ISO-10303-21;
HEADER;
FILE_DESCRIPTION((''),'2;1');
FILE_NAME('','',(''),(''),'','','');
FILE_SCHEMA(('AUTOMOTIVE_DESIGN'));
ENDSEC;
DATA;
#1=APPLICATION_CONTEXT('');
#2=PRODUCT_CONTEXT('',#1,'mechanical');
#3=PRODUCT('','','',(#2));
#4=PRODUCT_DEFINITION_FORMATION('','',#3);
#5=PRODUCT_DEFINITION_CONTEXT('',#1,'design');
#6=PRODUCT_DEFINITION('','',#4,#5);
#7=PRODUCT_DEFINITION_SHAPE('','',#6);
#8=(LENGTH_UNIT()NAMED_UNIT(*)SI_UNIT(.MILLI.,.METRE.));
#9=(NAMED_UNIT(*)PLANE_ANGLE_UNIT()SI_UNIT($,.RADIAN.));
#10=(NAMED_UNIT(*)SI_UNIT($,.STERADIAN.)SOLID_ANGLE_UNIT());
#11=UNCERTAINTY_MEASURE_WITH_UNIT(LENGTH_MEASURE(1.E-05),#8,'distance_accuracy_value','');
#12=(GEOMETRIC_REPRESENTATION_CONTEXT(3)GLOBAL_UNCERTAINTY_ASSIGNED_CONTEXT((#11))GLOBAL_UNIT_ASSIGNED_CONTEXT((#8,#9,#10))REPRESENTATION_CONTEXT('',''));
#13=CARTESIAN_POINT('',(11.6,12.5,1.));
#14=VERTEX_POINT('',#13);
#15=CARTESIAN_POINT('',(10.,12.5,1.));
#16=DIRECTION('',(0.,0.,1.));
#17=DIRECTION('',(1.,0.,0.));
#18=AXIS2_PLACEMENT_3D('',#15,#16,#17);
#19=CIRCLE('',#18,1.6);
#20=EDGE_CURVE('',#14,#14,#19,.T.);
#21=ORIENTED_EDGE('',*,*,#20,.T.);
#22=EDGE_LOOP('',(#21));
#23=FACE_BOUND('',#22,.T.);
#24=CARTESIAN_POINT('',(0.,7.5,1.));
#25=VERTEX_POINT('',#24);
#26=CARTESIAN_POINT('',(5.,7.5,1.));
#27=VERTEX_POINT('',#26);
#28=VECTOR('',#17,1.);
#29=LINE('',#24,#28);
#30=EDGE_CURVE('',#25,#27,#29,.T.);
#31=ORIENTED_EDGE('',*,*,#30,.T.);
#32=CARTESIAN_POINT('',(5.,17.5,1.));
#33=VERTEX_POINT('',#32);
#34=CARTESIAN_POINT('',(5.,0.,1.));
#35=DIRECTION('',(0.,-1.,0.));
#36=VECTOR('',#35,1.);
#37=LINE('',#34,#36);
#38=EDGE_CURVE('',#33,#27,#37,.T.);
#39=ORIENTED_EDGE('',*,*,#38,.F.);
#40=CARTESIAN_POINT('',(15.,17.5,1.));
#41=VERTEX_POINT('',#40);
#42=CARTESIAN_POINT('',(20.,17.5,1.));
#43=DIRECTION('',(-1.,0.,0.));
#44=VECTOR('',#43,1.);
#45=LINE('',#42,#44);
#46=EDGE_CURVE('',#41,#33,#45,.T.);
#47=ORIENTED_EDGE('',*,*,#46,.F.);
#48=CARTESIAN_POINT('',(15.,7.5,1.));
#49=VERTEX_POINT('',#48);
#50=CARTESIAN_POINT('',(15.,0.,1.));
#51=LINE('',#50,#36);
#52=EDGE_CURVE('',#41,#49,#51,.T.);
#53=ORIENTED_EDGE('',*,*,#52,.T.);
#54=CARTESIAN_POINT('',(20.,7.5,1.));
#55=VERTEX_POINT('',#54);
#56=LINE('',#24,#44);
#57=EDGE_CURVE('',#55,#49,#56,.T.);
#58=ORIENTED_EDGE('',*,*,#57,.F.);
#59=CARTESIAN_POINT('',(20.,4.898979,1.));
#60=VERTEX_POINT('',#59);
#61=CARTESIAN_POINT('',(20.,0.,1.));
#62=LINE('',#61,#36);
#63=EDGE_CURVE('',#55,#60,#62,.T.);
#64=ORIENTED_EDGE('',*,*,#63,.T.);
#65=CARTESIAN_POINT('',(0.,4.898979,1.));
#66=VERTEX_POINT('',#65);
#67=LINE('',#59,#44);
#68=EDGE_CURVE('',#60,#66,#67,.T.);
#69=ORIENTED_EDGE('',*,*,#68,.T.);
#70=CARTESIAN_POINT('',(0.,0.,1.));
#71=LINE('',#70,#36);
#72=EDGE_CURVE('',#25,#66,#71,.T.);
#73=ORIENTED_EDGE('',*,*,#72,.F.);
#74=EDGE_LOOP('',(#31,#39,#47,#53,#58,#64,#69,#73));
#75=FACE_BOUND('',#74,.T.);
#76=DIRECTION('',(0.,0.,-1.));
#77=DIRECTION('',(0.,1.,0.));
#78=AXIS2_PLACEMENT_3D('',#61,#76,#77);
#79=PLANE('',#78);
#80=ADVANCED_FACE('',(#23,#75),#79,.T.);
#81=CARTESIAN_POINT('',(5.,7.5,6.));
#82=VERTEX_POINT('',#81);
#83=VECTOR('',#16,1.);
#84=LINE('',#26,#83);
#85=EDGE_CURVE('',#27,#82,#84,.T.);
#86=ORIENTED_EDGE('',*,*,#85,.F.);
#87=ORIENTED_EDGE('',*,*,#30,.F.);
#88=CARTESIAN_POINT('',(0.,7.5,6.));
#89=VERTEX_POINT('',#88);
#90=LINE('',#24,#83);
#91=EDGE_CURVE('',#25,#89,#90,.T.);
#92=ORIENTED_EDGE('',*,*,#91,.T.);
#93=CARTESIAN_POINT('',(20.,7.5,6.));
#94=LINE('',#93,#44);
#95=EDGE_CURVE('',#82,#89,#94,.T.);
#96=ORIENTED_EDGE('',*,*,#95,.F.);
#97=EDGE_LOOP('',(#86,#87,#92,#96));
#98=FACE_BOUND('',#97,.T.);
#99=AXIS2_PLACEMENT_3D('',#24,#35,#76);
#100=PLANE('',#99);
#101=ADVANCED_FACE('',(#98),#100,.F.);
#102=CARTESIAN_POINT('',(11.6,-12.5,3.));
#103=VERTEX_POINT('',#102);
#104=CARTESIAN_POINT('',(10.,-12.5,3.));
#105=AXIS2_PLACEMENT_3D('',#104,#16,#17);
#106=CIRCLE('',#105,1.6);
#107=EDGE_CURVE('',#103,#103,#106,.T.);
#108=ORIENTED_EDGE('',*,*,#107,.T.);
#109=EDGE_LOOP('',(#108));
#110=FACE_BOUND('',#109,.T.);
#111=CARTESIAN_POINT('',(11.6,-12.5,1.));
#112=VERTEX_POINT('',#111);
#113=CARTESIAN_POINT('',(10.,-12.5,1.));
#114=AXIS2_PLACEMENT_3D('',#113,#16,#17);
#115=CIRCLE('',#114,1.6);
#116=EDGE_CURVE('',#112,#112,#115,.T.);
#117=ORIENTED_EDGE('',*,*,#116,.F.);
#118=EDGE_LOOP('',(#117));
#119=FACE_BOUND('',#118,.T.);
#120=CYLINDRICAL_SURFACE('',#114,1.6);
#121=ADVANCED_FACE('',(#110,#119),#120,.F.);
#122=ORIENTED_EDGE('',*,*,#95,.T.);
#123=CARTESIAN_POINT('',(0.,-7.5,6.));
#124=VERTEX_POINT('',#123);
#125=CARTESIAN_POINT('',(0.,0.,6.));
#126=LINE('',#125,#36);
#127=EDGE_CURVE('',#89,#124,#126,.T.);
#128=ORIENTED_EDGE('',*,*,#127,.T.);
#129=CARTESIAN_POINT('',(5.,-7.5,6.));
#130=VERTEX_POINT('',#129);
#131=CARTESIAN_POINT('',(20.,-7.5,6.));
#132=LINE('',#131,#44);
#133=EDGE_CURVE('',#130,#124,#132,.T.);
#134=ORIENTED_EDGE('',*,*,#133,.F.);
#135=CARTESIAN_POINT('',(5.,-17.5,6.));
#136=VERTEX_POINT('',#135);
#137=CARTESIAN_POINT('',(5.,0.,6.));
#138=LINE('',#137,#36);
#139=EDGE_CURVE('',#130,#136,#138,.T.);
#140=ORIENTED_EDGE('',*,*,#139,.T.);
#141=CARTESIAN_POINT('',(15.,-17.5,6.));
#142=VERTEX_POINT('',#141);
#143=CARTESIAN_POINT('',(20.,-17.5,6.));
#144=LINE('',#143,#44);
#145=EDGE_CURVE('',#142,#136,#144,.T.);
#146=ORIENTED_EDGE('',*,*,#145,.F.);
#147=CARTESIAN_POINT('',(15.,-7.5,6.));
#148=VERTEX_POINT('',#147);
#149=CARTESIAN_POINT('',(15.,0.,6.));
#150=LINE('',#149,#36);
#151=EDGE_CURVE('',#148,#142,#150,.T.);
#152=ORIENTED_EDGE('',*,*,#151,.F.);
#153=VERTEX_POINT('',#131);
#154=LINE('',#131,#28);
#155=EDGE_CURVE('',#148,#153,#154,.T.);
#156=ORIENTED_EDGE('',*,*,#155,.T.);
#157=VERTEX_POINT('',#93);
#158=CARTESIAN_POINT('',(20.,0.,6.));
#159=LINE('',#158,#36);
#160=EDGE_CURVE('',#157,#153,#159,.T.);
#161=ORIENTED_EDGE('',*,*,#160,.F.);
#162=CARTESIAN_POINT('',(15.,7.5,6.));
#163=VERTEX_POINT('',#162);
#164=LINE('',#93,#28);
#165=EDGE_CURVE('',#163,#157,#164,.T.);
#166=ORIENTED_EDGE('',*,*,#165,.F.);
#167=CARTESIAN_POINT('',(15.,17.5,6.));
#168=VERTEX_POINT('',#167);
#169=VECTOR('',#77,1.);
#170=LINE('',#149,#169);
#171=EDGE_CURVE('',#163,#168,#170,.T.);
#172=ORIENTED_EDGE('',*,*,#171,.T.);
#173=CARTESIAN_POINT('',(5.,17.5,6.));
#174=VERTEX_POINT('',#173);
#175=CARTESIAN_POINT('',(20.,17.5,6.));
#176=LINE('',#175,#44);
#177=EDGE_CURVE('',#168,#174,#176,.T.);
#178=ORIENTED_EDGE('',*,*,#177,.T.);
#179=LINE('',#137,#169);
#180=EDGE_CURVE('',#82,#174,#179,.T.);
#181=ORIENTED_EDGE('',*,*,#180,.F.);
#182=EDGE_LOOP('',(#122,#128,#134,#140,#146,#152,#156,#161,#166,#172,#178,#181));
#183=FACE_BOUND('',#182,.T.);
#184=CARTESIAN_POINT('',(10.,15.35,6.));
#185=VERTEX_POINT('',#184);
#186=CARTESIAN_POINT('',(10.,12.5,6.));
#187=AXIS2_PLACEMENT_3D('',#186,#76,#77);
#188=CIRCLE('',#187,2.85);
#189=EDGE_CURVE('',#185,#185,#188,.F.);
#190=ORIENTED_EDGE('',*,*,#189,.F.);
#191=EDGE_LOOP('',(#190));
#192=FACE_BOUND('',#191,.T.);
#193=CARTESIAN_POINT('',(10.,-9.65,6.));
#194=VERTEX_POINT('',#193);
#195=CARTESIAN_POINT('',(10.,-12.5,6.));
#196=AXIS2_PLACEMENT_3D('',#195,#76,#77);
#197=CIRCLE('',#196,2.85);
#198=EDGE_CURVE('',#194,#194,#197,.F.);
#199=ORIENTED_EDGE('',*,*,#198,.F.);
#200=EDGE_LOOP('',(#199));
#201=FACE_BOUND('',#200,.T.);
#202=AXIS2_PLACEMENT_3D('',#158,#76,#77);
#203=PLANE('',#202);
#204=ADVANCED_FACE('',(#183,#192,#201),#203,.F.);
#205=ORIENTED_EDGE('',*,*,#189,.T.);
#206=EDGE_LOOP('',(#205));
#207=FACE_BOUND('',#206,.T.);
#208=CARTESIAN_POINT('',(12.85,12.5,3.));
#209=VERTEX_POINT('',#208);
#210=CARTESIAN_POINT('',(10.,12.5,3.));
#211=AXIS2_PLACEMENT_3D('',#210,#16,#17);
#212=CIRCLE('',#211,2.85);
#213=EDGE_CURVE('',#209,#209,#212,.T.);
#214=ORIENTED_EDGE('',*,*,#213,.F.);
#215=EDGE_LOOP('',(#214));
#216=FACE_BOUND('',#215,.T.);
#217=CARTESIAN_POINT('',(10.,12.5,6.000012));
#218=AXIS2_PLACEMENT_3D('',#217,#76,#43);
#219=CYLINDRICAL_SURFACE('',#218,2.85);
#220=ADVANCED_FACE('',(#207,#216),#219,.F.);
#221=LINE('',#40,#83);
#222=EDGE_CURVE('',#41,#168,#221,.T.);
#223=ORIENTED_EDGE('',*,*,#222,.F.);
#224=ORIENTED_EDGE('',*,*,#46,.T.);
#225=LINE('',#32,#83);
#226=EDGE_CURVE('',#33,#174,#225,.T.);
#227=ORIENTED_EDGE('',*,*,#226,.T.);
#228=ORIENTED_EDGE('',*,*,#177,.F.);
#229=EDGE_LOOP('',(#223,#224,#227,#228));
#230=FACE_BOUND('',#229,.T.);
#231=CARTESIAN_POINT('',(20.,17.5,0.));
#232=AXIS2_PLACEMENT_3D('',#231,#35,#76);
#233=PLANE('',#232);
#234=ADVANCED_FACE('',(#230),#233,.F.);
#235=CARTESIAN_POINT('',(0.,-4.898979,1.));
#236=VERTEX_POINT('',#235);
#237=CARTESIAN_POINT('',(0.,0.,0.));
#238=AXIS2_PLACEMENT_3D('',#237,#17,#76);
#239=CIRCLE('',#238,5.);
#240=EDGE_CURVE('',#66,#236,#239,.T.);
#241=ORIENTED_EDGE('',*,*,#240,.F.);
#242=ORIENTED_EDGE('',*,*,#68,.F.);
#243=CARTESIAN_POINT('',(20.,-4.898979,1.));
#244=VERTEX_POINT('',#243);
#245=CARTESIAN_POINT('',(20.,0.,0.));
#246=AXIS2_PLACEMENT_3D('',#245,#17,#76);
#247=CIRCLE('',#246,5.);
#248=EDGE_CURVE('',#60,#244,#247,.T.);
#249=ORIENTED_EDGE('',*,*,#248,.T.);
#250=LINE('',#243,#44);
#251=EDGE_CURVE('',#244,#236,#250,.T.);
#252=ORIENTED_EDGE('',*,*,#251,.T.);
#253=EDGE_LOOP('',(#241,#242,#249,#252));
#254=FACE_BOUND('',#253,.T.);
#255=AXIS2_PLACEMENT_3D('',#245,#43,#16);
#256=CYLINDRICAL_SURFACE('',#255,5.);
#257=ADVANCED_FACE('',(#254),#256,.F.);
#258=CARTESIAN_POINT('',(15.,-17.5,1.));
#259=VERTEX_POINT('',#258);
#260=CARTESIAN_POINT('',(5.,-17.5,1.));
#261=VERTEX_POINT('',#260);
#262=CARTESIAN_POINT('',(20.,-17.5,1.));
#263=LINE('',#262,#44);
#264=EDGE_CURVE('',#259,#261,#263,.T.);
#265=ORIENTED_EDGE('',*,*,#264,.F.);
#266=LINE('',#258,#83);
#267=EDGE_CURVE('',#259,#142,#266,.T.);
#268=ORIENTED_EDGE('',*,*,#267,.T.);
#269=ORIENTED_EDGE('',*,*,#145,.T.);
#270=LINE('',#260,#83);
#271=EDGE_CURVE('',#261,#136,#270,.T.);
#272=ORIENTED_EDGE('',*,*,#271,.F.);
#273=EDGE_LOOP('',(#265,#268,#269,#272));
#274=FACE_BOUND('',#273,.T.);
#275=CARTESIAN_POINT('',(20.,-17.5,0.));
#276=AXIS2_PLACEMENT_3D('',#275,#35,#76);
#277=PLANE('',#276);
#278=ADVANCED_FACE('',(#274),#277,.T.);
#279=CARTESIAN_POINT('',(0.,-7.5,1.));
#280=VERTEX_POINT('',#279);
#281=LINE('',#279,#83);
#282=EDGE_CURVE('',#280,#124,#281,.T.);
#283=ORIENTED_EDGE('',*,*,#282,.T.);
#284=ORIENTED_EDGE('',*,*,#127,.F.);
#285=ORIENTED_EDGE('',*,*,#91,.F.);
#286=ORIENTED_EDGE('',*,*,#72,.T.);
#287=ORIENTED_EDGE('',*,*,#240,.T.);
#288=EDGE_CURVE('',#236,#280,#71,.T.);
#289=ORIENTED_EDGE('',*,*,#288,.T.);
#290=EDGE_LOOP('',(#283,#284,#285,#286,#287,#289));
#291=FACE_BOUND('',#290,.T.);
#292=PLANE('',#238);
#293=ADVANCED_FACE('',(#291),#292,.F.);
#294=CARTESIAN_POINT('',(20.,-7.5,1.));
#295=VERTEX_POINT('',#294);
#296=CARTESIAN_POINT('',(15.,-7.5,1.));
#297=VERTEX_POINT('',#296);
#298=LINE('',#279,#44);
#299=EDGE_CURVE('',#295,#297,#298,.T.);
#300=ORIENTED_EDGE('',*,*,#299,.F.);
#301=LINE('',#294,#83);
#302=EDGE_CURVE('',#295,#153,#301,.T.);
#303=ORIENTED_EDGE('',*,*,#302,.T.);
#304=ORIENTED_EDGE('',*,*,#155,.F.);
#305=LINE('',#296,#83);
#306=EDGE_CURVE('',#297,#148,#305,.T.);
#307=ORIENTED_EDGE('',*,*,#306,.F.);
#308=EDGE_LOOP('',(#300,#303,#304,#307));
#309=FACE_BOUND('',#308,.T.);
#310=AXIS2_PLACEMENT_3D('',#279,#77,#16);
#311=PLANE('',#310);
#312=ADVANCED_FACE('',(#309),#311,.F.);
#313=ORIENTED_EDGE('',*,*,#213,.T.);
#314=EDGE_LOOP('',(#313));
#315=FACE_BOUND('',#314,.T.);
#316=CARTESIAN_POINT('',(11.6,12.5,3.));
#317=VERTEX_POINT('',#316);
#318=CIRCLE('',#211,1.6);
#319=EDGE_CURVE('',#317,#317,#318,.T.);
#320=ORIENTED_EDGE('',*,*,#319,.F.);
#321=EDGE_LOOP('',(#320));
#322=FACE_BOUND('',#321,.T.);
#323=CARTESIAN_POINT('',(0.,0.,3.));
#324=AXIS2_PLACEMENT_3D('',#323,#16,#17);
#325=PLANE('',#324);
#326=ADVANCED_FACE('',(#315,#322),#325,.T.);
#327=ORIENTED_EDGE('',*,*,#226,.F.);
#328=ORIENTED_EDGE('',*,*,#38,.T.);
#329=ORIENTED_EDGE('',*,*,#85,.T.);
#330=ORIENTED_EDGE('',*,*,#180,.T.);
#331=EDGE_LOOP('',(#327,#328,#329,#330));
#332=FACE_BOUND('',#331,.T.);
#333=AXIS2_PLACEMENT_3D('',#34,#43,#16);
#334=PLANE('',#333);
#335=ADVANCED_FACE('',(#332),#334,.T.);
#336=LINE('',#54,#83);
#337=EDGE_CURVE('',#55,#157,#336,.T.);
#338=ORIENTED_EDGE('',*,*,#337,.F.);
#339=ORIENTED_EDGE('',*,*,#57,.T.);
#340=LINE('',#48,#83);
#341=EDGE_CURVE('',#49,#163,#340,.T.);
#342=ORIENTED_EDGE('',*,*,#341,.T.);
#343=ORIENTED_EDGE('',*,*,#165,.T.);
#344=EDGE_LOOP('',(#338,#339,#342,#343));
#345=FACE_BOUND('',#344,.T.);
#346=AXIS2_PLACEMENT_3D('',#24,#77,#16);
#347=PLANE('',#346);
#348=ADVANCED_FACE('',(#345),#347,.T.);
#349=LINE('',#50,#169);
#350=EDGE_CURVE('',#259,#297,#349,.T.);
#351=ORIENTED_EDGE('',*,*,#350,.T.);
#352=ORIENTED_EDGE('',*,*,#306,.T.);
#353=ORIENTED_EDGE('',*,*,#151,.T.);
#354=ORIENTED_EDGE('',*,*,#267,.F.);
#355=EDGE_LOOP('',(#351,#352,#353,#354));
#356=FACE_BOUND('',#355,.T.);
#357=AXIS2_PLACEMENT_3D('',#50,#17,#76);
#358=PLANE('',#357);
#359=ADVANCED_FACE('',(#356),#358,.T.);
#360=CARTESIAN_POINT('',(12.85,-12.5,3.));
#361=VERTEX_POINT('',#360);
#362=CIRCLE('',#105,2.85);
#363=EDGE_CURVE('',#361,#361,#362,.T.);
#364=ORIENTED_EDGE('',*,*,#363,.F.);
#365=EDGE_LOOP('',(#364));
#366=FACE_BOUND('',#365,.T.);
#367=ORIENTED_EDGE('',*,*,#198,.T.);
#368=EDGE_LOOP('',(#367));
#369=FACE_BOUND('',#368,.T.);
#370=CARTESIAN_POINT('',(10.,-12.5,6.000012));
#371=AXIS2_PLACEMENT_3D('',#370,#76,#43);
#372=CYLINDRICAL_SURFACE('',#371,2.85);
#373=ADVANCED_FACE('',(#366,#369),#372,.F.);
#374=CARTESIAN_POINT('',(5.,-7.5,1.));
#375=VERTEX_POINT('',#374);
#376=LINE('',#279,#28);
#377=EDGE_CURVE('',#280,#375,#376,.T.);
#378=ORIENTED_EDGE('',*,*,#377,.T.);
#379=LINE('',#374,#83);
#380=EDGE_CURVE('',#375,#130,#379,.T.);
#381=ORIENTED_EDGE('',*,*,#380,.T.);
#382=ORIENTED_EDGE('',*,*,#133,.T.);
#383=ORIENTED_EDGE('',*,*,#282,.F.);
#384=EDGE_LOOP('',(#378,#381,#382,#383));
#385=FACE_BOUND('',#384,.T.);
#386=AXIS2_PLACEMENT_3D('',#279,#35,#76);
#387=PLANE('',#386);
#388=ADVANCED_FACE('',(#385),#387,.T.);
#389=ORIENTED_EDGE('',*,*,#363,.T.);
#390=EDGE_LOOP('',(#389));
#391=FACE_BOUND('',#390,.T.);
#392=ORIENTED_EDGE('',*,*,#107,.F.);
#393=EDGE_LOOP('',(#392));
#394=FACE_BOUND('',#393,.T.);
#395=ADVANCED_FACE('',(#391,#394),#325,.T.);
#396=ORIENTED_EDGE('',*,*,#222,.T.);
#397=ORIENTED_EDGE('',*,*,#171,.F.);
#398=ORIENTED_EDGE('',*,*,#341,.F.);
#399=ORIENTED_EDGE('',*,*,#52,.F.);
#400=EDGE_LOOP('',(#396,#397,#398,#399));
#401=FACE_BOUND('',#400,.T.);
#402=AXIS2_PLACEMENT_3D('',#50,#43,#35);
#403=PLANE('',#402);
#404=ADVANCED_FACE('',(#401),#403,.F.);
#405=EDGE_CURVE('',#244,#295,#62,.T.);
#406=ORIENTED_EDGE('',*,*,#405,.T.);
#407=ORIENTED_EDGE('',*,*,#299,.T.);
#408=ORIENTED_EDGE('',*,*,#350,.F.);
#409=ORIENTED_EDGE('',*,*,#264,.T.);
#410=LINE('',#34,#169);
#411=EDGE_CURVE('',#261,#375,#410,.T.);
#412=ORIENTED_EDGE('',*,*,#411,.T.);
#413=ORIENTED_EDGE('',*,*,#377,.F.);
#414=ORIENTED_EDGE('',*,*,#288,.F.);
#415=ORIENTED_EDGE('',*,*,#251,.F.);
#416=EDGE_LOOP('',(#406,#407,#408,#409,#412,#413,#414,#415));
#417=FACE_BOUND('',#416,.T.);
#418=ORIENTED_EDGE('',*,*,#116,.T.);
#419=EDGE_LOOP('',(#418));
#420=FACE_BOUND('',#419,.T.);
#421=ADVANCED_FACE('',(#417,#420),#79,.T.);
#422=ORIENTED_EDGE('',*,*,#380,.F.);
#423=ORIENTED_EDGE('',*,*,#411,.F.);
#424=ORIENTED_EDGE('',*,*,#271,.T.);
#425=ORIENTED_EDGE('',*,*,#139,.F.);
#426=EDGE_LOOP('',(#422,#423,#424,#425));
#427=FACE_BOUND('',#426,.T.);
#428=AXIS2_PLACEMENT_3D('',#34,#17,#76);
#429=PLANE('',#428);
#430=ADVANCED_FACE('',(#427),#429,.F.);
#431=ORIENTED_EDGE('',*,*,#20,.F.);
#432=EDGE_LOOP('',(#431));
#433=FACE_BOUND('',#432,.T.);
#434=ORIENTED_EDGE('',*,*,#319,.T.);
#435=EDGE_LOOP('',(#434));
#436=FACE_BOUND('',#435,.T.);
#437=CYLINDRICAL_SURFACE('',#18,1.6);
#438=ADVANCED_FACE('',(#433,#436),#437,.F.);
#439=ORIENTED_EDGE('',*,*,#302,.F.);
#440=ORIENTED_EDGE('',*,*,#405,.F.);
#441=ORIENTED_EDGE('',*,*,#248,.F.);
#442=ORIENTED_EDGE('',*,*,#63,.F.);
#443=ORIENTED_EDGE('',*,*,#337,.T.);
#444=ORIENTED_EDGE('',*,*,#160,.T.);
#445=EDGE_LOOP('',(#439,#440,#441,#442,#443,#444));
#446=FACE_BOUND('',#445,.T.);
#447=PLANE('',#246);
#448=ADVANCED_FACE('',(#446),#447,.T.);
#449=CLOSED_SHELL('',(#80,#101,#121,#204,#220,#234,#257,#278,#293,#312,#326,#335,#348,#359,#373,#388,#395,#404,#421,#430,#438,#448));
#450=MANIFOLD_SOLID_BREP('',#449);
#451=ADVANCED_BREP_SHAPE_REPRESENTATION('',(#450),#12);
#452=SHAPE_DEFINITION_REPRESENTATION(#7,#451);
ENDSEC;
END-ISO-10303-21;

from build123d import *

# Parameters (mm, degrees)
BOSS_EXTRUDE1_DEPTH     = 20
SKETCH2_W               = 5
SKETCH2_H               = 10
SKETCH2_R               = 1.6
CUT_EXTRUDE1_DEPTH      = 1
CUT_EXTRUDE1_DEPTH_BACK = 6
SKETCH2_3_R             = 2.85
SKETCH2_3_R_2           = 1.6
CUT_EXTRUDE2_DEPTH      = 1
CUT_EXTRUDE2_DEPTH_BACK = 3


with BuildPart() as part:
    # Sketch1 → Boss-Extrude1 (new body)
    with BuildSketch(Plane.YZ):
        with BuildLine():
            ThreePointArc((4.898979486, 1), (0, 5), (-4.898979486, 1))
            Line((-4.898979486, 1), (-17.5, 1))
            Line((-17.5, 1), (-17.5, 6))
            Line((-17.5, 6), (17.5, 6))
            Line((17.5, 6), (17.5, 1))
            Line((17.5, 1), (4.898979486, 1))
        make_face()
    extrude(amount=BOSS_EXTRUDE1_DEPTH)

    # Sketch2 → Cut-Extrude1 (cut, two sides)
    with BuildSketch(Plane.XY.offset(6)) as cut_extrude1_sk:
        with Locations((2.5, -12.5)):
            Rectangle(SKETCH2_W, SKETCH2_H)
        with Locations((2.5, 12.5)):
            Rectangle(SKETCH2_W, SKETCH2_H)
        with Locations((17.5, 12.5)):
            Rectangle(SKETCH2_W, SKETCH2_H)
        with Locations((17.5, -12.5)):
            Rectangle(SKETCH2_W, SKETCH2_H)
        with Locations((10, -12.5)):
            Circle(SKETCH2_R)
        with Locations((10, 12.5)):
            Circle(SKETCH2_R)
    extrude(amount=CUT_EXTRUDE1_DEPTH, mode=Mode.SUBTRACT)
    extrude(cut_extrude1_sk.sketch, amount=-CUT_EXTRUDE1_DEPTH_BACK, mode=Mode.SUBTRACT)

    # Sketch2<3> → Cut-Extrude2 (cut, two sides)
    with BuildSketch(Plane.XY.offset(6)) as cut_extrude2_sk:
        with Locations((10, -12.5)):
            Circle(SKETCH2_3_R)
        with Locations((10, -12.5)):
            Circle(SKETCH2_3_R_2, mode=Mode.SUBTRACT)
        with Locations((10, 12.5)):
            Circle(SKETCH2_3_R)
        with Locations((10, 12.5)):
            Circle(SKETCH2_3_R_2, mode=Mode.SUBTRACT)
    extrude(amount=CUT_EXTRUDE2_DEPTH, mode=Mode.SUBTRACT)
    extrude(cut_extrude2_sk.sketch, amount=-CUT_EXTRUDE2_DEPTH_BACK, mode=Mode.SUBTRACT)


solid = part.part
